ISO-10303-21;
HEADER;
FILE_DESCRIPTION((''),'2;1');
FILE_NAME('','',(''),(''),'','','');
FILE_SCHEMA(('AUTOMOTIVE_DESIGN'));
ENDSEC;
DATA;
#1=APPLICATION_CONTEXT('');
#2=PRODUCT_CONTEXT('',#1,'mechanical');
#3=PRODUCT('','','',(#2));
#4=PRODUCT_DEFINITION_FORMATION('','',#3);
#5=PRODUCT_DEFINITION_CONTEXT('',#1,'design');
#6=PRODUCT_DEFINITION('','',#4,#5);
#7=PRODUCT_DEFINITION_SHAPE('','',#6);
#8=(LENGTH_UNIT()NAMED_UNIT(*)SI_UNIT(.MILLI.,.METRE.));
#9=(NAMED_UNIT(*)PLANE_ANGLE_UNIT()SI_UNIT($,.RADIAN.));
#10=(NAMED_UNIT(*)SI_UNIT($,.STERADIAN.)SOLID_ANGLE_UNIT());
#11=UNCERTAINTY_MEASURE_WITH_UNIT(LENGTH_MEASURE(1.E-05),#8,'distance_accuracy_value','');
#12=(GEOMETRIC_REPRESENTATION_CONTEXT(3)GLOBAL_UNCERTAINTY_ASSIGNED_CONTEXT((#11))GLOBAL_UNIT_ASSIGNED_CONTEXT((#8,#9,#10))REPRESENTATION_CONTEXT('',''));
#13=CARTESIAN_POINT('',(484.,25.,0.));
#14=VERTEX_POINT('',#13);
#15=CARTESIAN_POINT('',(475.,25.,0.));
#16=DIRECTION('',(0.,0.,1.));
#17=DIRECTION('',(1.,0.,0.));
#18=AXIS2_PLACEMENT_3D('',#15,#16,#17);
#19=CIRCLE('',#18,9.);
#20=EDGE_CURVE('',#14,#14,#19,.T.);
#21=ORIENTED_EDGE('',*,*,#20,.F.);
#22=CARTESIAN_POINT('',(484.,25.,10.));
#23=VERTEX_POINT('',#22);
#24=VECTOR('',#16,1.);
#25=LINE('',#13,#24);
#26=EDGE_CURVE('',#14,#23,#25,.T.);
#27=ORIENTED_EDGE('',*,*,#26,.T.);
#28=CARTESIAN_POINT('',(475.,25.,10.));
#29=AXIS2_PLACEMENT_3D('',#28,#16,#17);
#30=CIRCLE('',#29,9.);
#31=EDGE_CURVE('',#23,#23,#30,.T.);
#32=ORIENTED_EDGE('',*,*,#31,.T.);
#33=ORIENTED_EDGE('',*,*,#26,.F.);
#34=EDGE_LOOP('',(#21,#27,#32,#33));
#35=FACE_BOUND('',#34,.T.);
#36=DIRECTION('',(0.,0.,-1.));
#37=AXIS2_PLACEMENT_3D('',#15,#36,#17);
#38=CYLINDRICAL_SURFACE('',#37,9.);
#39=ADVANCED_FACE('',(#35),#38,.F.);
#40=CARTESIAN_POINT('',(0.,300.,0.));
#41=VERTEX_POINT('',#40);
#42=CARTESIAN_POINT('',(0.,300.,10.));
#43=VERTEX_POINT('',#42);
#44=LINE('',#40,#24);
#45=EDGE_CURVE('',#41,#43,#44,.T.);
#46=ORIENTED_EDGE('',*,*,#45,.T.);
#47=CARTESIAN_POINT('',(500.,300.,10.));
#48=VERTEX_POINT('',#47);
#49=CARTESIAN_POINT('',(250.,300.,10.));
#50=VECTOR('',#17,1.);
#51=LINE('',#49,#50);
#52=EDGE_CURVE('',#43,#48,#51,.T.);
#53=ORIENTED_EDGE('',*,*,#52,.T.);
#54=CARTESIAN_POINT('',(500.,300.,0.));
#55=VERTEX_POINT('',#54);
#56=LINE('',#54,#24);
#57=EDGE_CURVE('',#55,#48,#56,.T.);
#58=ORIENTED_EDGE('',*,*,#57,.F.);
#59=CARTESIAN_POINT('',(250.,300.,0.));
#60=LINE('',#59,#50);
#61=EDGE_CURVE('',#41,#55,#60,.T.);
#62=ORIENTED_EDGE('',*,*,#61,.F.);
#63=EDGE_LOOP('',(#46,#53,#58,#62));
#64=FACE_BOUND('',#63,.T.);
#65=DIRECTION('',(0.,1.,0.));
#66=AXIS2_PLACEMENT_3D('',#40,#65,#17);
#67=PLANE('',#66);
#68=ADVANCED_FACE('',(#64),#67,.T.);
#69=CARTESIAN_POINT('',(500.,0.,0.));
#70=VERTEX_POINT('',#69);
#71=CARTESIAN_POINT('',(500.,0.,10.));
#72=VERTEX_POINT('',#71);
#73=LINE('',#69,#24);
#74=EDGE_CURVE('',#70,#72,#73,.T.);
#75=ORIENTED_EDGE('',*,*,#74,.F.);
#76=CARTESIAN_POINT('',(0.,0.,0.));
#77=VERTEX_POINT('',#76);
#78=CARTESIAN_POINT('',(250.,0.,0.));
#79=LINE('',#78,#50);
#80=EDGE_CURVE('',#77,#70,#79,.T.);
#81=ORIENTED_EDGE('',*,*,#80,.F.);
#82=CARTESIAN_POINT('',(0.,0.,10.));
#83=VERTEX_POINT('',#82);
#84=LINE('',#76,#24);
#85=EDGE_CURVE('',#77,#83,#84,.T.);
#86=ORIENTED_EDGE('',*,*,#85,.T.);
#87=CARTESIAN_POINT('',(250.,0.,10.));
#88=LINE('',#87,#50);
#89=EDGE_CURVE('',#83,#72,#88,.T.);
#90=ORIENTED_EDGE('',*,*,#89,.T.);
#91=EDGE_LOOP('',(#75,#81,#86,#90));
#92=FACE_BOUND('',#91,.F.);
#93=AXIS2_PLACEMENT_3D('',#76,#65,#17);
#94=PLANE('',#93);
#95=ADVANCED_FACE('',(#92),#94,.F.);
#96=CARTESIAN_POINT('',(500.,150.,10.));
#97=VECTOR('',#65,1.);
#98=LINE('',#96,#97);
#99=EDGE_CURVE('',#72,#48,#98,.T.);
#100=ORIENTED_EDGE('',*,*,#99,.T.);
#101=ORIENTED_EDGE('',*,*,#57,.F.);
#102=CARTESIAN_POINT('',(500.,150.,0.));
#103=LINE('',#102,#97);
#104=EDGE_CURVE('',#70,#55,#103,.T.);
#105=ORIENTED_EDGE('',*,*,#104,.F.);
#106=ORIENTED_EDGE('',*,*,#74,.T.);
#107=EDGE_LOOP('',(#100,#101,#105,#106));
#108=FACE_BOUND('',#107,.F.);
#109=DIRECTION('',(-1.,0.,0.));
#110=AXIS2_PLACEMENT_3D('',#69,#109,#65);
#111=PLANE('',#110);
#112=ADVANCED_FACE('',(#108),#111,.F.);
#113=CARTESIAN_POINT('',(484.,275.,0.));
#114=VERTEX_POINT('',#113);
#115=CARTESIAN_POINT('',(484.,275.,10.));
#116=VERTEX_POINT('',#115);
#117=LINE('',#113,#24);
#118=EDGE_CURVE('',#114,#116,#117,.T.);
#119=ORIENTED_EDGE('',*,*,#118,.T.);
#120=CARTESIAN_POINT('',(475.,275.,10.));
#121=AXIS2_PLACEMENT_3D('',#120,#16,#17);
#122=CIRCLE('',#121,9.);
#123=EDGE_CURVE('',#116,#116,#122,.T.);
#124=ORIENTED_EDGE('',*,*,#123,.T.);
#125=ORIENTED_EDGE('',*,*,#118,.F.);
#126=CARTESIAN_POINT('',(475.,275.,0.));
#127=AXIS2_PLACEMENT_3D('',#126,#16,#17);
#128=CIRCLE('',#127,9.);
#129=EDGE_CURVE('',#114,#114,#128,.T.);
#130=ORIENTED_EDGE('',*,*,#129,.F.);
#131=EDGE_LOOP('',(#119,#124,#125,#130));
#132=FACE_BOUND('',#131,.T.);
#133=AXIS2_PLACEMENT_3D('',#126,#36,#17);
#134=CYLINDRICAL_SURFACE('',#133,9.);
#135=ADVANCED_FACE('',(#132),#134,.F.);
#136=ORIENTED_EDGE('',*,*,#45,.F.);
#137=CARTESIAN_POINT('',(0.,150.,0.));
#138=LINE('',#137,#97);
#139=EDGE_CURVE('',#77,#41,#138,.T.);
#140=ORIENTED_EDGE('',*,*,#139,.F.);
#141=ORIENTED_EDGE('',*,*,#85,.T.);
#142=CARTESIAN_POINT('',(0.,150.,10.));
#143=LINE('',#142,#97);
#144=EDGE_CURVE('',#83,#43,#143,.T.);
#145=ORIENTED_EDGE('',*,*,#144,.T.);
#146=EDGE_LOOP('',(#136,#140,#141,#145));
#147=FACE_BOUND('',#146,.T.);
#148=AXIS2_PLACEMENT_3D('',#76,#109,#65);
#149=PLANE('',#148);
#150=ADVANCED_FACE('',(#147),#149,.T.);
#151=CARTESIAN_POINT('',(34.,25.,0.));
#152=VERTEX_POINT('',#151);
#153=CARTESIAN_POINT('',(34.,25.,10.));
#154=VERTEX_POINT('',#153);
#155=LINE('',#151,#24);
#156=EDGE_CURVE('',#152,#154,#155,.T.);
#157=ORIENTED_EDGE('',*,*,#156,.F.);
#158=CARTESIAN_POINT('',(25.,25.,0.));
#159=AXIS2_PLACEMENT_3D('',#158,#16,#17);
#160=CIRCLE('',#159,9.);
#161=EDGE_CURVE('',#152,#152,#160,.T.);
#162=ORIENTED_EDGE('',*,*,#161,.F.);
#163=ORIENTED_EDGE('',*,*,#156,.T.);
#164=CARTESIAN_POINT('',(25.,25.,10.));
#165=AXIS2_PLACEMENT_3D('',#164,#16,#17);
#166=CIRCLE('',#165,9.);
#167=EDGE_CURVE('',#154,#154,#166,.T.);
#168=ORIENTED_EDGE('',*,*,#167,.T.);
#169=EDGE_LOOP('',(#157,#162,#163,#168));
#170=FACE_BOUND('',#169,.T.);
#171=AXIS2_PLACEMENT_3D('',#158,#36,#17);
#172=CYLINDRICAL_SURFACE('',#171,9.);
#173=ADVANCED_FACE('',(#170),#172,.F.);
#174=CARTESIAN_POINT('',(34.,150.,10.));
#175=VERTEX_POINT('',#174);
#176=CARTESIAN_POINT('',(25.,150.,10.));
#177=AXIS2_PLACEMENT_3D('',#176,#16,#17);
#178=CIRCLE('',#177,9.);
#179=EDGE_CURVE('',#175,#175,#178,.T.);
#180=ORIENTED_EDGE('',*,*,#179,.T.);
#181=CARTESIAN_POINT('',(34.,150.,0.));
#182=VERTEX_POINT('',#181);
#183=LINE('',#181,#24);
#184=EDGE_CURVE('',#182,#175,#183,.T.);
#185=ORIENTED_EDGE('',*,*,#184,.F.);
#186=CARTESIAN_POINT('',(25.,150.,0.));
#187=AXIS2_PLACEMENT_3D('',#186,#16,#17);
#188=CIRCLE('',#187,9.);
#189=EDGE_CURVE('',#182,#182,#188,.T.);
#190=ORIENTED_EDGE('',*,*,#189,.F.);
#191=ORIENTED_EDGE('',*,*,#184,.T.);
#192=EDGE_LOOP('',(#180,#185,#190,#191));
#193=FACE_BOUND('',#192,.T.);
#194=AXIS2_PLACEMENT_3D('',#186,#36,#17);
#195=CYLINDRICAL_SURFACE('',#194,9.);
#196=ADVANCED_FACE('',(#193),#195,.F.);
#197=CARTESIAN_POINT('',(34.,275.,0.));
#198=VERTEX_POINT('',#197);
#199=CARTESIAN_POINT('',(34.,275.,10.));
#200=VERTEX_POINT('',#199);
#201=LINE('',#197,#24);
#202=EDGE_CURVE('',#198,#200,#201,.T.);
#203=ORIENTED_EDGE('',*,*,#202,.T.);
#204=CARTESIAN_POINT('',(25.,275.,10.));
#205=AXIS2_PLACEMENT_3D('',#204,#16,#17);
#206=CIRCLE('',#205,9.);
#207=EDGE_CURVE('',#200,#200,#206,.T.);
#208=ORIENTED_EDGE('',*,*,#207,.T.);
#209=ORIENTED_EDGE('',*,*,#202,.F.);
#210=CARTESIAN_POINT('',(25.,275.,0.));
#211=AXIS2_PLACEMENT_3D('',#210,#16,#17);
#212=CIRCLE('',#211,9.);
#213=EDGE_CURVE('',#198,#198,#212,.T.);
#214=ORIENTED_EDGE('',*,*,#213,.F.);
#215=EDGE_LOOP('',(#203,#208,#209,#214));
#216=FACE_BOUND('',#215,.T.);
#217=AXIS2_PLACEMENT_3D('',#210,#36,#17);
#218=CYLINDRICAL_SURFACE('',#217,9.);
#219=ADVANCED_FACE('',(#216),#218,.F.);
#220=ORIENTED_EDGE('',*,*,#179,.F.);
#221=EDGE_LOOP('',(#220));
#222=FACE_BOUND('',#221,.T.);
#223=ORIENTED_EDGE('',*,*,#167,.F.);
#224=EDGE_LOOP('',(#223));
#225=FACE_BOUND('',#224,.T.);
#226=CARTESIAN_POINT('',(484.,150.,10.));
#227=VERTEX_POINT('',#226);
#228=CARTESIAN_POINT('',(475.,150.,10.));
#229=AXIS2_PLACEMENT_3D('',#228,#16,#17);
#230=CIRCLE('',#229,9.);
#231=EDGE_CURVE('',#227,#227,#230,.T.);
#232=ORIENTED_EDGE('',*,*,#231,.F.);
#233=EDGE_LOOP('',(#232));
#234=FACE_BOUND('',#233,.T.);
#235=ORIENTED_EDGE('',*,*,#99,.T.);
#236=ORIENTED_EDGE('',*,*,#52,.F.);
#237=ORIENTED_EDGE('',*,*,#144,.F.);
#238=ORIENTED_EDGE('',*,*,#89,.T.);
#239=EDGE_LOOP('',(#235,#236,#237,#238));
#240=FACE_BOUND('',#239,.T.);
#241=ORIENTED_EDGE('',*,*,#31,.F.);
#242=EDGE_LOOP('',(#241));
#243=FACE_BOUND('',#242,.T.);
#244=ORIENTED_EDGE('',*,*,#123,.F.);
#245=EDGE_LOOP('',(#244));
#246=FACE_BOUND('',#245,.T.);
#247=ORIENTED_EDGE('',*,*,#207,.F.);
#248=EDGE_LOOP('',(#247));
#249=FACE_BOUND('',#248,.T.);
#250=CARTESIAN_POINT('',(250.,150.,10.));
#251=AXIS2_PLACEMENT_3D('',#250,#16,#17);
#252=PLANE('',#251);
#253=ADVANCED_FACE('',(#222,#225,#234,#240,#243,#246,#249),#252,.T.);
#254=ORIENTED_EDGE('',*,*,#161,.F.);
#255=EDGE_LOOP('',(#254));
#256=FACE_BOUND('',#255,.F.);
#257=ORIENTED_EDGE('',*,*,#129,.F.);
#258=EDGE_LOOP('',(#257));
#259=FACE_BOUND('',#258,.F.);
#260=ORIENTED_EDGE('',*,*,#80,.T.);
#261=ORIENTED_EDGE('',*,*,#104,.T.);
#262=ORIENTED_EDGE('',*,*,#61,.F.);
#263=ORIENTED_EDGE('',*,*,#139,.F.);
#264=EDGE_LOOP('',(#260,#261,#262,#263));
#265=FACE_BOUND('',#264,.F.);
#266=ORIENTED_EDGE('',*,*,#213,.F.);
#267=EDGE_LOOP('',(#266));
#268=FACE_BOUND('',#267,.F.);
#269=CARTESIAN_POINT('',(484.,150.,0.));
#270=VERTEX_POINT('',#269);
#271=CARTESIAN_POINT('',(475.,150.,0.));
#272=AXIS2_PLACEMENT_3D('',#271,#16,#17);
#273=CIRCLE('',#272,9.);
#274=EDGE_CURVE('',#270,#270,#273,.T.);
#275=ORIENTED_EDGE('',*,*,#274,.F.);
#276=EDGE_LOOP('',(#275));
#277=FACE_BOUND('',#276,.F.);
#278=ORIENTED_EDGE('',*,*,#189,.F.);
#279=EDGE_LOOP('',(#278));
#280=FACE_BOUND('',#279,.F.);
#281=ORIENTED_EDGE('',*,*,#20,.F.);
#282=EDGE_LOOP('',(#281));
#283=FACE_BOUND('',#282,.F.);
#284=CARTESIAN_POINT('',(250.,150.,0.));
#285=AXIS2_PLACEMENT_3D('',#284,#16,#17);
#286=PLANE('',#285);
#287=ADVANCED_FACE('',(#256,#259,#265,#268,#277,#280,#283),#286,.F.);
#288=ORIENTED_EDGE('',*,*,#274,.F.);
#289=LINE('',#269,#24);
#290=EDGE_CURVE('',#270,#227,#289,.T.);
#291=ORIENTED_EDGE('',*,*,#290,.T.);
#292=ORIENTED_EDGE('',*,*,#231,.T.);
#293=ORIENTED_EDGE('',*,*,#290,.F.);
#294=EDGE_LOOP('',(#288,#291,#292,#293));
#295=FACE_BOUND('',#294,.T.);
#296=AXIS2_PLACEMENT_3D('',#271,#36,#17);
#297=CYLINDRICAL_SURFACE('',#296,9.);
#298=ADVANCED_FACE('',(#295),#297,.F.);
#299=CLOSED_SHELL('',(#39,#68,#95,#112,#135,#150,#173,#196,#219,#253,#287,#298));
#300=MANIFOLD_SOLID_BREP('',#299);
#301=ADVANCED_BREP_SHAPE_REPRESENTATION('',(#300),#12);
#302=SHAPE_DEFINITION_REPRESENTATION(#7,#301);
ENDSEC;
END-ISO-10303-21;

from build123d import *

# Parameters (mm, degrees)
F0_W     = 500
F0_H     = 300
F0_R     = 9
F1_DEPTH = 10


with BuildPart() as f1:
    # F0 (on Top) → F1 (new body)
    with BuildSketch(Plane.XY):
        with Locations((250, 150)):
            Rectangle(F0_W, F0_H)
        with Locations((25, 25)):
            Circle(F0_R, mode=Mode.SUBTRACT)
        with Locations((475, 25)):
            Circle(F0_R, mode=Mode.SUBTRACT)
        with Locations((25, 150)):
            Circle(F0_R, mode=Mode.SUBTRACT)
        with Locations((25, 275)):
            Circle(F0_R, mode=Mode.SUBTRACT)
        with Locations((475, 150)):
            Circle(F0_R, mode=Mode.SUBTRACT)
        with Locations((475, 275)):
            Circle(F0_R, mode=Mode.SUBTRACT)
    extrude(amount=F1_DEPTH)


solid = f1.part
